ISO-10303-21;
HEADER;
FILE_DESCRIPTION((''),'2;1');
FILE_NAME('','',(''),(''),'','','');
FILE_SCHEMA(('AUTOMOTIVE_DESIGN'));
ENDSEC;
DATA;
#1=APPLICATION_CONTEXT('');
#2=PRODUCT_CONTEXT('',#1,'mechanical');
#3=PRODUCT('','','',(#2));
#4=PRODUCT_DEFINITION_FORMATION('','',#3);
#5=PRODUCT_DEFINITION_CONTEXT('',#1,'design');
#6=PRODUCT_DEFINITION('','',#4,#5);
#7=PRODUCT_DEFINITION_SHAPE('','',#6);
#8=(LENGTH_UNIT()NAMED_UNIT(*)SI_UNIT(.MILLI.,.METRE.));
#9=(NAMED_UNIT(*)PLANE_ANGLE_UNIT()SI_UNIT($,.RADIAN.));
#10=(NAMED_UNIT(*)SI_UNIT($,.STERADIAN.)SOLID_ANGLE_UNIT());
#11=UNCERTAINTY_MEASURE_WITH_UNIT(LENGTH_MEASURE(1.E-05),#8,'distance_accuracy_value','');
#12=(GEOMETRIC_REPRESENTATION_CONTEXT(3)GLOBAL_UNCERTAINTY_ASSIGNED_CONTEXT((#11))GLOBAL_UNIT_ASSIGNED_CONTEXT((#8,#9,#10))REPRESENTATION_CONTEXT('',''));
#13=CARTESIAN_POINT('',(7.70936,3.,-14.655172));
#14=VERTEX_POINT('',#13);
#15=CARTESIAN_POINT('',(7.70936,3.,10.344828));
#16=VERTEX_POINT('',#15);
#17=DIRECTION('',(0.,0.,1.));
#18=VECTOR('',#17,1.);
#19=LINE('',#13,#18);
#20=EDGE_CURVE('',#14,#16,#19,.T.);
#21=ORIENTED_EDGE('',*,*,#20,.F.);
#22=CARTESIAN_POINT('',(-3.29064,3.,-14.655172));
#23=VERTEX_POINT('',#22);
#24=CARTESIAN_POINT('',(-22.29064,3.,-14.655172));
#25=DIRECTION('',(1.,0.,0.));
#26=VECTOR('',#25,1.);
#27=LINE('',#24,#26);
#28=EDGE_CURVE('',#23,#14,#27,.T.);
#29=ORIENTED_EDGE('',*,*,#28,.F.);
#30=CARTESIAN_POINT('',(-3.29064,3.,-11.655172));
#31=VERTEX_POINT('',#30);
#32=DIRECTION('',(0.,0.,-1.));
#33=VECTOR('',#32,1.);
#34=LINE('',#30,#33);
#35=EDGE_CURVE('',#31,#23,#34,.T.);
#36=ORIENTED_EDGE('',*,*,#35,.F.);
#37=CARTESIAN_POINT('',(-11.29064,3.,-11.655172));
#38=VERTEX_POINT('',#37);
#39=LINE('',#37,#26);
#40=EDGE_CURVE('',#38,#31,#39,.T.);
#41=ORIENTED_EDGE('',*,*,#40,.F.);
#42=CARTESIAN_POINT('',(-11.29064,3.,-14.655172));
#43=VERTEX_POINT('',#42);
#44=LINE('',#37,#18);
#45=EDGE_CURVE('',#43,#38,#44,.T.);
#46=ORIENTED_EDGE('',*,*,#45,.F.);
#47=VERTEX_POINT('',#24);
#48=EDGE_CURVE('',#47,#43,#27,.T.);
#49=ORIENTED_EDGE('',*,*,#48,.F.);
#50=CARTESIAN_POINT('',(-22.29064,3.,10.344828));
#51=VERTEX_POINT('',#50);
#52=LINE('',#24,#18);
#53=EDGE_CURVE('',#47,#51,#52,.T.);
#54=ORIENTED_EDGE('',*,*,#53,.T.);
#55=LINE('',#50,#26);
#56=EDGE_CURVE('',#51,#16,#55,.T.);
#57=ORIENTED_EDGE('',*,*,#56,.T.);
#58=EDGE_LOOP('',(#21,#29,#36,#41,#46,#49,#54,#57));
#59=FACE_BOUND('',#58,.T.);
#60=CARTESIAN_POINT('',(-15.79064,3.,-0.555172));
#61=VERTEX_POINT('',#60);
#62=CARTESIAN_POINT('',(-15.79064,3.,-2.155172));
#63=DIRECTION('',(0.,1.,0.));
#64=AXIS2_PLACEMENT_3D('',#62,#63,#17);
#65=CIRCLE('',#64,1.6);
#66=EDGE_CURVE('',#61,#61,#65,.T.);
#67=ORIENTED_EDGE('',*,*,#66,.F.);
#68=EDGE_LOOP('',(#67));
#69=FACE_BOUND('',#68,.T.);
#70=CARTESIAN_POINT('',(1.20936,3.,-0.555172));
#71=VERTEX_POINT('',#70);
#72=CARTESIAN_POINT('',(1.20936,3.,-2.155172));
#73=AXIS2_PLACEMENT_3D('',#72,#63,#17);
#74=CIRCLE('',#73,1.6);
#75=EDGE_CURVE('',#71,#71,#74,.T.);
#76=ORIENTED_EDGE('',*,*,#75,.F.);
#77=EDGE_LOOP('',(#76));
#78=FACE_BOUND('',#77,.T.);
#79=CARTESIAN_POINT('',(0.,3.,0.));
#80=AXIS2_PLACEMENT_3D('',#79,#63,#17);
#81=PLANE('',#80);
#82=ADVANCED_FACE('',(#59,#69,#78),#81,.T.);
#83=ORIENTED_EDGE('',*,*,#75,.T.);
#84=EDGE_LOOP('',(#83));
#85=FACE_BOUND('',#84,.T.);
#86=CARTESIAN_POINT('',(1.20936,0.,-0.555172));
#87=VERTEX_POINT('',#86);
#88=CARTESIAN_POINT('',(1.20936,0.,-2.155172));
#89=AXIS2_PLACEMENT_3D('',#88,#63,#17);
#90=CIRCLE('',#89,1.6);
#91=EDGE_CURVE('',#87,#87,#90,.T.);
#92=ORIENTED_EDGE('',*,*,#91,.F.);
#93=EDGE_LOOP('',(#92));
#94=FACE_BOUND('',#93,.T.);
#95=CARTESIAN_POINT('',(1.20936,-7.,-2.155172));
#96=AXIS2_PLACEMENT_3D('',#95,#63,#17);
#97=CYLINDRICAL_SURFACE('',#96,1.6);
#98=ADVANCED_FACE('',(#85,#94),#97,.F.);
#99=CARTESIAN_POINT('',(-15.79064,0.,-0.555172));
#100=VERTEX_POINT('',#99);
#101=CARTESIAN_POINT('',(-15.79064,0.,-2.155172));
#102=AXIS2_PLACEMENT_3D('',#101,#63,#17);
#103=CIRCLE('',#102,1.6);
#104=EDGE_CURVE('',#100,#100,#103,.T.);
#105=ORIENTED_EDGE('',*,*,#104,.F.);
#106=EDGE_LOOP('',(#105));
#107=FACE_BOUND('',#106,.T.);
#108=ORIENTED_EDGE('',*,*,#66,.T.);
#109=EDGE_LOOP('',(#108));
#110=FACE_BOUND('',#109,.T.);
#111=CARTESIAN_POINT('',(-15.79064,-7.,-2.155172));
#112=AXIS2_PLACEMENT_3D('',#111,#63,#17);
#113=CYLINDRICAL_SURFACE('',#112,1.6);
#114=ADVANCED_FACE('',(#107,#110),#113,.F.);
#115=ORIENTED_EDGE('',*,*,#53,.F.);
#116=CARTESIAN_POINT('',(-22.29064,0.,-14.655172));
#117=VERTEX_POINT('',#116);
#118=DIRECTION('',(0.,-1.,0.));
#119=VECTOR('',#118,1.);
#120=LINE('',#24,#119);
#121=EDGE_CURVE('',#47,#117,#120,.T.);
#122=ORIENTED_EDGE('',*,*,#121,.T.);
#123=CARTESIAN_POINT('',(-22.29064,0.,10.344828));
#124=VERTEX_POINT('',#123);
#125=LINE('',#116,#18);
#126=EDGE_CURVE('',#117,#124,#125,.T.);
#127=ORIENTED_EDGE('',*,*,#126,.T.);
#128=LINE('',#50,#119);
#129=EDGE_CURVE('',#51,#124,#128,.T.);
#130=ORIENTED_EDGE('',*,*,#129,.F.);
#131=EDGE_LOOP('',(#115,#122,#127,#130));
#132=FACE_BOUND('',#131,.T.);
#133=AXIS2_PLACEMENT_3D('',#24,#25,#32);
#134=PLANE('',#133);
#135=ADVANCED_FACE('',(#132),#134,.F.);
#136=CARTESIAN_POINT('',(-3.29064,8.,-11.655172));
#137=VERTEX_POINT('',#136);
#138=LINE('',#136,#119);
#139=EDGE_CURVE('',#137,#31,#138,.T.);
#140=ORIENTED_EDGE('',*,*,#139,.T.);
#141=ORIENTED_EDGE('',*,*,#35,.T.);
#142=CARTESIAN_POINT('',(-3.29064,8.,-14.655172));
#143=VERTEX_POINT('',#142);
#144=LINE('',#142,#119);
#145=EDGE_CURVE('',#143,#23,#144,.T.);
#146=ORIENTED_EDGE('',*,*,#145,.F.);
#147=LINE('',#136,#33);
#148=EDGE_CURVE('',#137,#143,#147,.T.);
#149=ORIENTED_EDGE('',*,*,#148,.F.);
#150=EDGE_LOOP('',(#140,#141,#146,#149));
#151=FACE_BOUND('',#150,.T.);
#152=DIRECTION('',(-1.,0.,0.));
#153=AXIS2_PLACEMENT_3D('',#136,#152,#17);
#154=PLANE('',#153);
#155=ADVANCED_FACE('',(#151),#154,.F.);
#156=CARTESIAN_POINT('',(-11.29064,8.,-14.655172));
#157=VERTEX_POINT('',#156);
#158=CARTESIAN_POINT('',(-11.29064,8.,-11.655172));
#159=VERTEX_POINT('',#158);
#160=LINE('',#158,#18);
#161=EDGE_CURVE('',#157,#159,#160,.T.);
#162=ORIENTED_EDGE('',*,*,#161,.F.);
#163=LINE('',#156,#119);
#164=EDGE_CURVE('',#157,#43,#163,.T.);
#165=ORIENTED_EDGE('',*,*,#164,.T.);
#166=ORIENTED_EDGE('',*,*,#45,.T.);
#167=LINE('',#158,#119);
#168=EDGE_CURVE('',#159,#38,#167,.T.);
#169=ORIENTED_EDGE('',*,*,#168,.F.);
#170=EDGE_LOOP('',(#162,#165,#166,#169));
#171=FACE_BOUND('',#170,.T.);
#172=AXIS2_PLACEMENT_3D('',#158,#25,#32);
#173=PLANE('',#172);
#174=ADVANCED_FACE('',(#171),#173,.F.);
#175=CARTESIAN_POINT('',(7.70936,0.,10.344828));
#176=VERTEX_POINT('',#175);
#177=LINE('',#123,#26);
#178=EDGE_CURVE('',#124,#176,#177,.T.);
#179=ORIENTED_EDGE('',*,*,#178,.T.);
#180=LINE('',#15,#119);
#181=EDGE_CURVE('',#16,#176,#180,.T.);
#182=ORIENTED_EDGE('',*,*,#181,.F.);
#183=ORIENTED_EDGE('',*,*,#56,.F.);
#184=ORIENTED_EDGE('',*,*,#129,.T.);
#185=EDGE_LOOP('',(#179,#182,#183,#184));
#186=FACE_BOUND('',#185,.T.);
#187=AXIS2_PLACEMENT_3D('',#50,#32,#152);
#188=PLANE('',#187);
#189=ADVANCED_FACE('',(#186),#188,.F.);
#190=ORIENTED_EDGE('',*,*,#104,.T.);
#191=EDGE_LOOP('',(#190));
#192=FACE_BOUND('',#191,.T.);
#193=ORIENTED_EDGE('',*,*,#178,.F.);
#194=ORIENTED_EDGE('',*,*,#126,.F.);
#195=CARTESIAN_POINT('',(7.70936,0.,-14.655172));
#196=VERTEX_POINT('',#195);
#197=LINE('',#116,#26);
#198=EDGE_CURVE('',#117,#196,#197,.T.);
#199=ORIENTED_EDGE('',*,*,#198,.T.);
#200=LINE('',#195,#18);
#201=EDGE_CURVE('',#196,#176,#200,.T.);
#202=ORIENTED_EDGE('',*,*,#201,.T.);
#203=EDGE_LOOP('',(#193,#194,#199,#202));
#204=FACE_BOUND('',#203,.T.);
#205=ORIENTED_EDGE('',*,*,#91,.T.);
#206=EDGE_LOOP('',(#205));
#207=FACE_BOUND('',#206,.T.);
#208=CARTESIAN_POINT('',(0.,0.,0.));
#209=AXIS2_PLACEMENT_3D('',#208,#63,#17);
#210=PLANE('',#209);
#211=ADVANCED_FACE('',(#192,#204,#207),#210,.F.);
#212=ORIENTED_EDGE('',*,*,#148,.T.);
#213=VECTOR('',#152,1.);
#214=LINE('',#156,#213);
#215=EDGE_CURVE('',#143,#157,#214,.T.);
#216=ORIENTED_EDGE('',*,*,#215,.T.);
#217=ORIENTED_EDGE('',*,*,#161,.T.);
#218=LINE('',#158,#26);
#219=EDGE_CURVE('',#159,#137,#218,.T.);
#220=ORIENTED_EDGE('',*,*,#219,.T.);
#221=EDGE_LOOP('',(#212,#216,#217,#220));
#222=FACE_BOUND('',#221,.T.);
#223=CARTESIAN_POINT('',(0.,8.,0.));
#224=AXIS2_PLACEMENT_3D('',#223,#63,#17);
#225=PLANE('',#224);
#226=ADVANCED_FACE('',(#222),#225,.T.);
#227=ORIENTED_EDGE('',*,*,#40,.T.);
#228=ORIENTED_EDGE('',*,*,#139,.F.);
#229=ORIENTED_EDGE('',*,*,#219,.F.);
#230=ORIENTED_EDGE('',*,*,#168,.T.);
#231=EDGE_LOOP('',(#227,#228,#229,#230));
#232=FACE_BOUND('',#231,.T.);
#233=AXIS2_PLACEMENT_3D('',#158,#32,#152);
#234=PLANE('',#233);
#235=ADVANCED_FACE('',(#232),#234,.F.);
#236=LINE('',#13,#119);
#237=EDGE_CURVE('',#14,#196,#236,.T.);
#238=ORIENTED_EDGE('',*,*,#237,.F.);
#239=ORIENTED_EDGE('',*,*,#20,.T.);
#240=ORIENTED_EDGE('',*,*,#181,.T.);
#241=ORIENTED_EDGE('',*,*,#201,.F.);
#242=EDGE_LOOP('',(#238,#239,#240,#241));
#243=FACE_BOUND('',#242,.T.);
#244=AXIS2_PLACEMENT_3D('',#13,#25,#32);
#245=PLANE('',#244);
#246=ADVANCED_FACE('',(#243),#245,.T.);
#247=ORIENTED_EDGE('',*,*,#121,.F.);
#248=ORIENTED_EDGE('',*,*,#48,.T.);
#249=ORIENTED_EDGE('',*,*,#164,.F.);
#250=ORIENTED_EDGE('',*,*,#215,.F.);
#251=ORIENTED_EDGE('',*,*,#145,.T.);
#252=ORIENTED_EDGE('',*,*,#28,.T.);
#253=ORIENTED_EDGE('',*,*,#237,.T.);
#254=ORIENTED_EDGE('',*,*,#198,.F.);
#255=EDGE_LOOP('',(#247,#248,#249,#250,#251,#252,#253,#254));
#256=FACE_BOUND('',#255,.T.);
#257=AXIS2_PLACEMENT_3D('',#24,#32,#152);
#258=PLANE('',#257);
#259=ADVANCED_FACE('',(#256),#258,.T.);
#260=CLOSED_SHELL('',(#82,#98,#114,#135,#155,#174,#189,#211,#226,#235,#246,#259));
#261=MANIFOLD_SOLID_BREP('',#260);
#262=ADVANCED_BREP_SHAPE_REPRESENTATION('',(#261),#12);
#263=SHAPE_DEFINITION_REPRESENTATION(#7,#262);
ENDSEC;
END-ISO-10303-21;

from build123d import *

# Parameters (mm, degrees)
SKETCH1_W           = 30
SKETCH1_H           = 25
BOSS_EXTRUDE1_DEPTH = 3
SKETCH2_R           = 1.6
CUT_EXTRUDE2_DEPTH  = 10
SKETCH3_W           = 8
SKETCH3_H           = 3
BOSS_EXTRUDE2_DEPTH = 5


with BuildPart() as part:
    # Sketch1 → Boss-Extrude1 (new body)
    with BuildSketch(Plane(origin=(0, 0, 0), x_dir=(1, 0, 0), z_dir=(0, 1, 0))):
        with Locations((-7.290640394, 2.155172414)):
            Rectangle(SKETCH1_W, SKETCH1_H)
    extrude(amount=BOSS_EXTRUDE1_DEPTH)

    # Sketch2 → Cut-Extrude2 (cut)
    with BuildSketch(Plane(origin=(0, 3, 0), x_dir=(1, 0, 0), z_dir=(0, 1, 0))):
        with Locations(Location((-15.790640394, 2.155172414, 0), (0, 0, 270))):
            Circle(SKETCH2_R)
        with Locations(Location((1.209359606, 2.155172414, 0), (0, 0, 270))):
            Circle(SKETCH2_R)
    extrude(amount=-CUT_EXTRUDE2_DEPTH, mode=Mode.SUBTRACT)

    # Sketch3 → Boss-Extrude2 (add)
    with BuildSketch(Plane(origin=(0, 3, 0), x_dir=(1, 0, 0), z_dir=(0, 1, 0))):
        with Locations((-7.290640394, 13.155172414)):
            Rectangle(SKETCH3_W, SKETCH3_H)
    extrude(amount=BOSS_EXTRUDE2_DEPTH)


solid = part.part
